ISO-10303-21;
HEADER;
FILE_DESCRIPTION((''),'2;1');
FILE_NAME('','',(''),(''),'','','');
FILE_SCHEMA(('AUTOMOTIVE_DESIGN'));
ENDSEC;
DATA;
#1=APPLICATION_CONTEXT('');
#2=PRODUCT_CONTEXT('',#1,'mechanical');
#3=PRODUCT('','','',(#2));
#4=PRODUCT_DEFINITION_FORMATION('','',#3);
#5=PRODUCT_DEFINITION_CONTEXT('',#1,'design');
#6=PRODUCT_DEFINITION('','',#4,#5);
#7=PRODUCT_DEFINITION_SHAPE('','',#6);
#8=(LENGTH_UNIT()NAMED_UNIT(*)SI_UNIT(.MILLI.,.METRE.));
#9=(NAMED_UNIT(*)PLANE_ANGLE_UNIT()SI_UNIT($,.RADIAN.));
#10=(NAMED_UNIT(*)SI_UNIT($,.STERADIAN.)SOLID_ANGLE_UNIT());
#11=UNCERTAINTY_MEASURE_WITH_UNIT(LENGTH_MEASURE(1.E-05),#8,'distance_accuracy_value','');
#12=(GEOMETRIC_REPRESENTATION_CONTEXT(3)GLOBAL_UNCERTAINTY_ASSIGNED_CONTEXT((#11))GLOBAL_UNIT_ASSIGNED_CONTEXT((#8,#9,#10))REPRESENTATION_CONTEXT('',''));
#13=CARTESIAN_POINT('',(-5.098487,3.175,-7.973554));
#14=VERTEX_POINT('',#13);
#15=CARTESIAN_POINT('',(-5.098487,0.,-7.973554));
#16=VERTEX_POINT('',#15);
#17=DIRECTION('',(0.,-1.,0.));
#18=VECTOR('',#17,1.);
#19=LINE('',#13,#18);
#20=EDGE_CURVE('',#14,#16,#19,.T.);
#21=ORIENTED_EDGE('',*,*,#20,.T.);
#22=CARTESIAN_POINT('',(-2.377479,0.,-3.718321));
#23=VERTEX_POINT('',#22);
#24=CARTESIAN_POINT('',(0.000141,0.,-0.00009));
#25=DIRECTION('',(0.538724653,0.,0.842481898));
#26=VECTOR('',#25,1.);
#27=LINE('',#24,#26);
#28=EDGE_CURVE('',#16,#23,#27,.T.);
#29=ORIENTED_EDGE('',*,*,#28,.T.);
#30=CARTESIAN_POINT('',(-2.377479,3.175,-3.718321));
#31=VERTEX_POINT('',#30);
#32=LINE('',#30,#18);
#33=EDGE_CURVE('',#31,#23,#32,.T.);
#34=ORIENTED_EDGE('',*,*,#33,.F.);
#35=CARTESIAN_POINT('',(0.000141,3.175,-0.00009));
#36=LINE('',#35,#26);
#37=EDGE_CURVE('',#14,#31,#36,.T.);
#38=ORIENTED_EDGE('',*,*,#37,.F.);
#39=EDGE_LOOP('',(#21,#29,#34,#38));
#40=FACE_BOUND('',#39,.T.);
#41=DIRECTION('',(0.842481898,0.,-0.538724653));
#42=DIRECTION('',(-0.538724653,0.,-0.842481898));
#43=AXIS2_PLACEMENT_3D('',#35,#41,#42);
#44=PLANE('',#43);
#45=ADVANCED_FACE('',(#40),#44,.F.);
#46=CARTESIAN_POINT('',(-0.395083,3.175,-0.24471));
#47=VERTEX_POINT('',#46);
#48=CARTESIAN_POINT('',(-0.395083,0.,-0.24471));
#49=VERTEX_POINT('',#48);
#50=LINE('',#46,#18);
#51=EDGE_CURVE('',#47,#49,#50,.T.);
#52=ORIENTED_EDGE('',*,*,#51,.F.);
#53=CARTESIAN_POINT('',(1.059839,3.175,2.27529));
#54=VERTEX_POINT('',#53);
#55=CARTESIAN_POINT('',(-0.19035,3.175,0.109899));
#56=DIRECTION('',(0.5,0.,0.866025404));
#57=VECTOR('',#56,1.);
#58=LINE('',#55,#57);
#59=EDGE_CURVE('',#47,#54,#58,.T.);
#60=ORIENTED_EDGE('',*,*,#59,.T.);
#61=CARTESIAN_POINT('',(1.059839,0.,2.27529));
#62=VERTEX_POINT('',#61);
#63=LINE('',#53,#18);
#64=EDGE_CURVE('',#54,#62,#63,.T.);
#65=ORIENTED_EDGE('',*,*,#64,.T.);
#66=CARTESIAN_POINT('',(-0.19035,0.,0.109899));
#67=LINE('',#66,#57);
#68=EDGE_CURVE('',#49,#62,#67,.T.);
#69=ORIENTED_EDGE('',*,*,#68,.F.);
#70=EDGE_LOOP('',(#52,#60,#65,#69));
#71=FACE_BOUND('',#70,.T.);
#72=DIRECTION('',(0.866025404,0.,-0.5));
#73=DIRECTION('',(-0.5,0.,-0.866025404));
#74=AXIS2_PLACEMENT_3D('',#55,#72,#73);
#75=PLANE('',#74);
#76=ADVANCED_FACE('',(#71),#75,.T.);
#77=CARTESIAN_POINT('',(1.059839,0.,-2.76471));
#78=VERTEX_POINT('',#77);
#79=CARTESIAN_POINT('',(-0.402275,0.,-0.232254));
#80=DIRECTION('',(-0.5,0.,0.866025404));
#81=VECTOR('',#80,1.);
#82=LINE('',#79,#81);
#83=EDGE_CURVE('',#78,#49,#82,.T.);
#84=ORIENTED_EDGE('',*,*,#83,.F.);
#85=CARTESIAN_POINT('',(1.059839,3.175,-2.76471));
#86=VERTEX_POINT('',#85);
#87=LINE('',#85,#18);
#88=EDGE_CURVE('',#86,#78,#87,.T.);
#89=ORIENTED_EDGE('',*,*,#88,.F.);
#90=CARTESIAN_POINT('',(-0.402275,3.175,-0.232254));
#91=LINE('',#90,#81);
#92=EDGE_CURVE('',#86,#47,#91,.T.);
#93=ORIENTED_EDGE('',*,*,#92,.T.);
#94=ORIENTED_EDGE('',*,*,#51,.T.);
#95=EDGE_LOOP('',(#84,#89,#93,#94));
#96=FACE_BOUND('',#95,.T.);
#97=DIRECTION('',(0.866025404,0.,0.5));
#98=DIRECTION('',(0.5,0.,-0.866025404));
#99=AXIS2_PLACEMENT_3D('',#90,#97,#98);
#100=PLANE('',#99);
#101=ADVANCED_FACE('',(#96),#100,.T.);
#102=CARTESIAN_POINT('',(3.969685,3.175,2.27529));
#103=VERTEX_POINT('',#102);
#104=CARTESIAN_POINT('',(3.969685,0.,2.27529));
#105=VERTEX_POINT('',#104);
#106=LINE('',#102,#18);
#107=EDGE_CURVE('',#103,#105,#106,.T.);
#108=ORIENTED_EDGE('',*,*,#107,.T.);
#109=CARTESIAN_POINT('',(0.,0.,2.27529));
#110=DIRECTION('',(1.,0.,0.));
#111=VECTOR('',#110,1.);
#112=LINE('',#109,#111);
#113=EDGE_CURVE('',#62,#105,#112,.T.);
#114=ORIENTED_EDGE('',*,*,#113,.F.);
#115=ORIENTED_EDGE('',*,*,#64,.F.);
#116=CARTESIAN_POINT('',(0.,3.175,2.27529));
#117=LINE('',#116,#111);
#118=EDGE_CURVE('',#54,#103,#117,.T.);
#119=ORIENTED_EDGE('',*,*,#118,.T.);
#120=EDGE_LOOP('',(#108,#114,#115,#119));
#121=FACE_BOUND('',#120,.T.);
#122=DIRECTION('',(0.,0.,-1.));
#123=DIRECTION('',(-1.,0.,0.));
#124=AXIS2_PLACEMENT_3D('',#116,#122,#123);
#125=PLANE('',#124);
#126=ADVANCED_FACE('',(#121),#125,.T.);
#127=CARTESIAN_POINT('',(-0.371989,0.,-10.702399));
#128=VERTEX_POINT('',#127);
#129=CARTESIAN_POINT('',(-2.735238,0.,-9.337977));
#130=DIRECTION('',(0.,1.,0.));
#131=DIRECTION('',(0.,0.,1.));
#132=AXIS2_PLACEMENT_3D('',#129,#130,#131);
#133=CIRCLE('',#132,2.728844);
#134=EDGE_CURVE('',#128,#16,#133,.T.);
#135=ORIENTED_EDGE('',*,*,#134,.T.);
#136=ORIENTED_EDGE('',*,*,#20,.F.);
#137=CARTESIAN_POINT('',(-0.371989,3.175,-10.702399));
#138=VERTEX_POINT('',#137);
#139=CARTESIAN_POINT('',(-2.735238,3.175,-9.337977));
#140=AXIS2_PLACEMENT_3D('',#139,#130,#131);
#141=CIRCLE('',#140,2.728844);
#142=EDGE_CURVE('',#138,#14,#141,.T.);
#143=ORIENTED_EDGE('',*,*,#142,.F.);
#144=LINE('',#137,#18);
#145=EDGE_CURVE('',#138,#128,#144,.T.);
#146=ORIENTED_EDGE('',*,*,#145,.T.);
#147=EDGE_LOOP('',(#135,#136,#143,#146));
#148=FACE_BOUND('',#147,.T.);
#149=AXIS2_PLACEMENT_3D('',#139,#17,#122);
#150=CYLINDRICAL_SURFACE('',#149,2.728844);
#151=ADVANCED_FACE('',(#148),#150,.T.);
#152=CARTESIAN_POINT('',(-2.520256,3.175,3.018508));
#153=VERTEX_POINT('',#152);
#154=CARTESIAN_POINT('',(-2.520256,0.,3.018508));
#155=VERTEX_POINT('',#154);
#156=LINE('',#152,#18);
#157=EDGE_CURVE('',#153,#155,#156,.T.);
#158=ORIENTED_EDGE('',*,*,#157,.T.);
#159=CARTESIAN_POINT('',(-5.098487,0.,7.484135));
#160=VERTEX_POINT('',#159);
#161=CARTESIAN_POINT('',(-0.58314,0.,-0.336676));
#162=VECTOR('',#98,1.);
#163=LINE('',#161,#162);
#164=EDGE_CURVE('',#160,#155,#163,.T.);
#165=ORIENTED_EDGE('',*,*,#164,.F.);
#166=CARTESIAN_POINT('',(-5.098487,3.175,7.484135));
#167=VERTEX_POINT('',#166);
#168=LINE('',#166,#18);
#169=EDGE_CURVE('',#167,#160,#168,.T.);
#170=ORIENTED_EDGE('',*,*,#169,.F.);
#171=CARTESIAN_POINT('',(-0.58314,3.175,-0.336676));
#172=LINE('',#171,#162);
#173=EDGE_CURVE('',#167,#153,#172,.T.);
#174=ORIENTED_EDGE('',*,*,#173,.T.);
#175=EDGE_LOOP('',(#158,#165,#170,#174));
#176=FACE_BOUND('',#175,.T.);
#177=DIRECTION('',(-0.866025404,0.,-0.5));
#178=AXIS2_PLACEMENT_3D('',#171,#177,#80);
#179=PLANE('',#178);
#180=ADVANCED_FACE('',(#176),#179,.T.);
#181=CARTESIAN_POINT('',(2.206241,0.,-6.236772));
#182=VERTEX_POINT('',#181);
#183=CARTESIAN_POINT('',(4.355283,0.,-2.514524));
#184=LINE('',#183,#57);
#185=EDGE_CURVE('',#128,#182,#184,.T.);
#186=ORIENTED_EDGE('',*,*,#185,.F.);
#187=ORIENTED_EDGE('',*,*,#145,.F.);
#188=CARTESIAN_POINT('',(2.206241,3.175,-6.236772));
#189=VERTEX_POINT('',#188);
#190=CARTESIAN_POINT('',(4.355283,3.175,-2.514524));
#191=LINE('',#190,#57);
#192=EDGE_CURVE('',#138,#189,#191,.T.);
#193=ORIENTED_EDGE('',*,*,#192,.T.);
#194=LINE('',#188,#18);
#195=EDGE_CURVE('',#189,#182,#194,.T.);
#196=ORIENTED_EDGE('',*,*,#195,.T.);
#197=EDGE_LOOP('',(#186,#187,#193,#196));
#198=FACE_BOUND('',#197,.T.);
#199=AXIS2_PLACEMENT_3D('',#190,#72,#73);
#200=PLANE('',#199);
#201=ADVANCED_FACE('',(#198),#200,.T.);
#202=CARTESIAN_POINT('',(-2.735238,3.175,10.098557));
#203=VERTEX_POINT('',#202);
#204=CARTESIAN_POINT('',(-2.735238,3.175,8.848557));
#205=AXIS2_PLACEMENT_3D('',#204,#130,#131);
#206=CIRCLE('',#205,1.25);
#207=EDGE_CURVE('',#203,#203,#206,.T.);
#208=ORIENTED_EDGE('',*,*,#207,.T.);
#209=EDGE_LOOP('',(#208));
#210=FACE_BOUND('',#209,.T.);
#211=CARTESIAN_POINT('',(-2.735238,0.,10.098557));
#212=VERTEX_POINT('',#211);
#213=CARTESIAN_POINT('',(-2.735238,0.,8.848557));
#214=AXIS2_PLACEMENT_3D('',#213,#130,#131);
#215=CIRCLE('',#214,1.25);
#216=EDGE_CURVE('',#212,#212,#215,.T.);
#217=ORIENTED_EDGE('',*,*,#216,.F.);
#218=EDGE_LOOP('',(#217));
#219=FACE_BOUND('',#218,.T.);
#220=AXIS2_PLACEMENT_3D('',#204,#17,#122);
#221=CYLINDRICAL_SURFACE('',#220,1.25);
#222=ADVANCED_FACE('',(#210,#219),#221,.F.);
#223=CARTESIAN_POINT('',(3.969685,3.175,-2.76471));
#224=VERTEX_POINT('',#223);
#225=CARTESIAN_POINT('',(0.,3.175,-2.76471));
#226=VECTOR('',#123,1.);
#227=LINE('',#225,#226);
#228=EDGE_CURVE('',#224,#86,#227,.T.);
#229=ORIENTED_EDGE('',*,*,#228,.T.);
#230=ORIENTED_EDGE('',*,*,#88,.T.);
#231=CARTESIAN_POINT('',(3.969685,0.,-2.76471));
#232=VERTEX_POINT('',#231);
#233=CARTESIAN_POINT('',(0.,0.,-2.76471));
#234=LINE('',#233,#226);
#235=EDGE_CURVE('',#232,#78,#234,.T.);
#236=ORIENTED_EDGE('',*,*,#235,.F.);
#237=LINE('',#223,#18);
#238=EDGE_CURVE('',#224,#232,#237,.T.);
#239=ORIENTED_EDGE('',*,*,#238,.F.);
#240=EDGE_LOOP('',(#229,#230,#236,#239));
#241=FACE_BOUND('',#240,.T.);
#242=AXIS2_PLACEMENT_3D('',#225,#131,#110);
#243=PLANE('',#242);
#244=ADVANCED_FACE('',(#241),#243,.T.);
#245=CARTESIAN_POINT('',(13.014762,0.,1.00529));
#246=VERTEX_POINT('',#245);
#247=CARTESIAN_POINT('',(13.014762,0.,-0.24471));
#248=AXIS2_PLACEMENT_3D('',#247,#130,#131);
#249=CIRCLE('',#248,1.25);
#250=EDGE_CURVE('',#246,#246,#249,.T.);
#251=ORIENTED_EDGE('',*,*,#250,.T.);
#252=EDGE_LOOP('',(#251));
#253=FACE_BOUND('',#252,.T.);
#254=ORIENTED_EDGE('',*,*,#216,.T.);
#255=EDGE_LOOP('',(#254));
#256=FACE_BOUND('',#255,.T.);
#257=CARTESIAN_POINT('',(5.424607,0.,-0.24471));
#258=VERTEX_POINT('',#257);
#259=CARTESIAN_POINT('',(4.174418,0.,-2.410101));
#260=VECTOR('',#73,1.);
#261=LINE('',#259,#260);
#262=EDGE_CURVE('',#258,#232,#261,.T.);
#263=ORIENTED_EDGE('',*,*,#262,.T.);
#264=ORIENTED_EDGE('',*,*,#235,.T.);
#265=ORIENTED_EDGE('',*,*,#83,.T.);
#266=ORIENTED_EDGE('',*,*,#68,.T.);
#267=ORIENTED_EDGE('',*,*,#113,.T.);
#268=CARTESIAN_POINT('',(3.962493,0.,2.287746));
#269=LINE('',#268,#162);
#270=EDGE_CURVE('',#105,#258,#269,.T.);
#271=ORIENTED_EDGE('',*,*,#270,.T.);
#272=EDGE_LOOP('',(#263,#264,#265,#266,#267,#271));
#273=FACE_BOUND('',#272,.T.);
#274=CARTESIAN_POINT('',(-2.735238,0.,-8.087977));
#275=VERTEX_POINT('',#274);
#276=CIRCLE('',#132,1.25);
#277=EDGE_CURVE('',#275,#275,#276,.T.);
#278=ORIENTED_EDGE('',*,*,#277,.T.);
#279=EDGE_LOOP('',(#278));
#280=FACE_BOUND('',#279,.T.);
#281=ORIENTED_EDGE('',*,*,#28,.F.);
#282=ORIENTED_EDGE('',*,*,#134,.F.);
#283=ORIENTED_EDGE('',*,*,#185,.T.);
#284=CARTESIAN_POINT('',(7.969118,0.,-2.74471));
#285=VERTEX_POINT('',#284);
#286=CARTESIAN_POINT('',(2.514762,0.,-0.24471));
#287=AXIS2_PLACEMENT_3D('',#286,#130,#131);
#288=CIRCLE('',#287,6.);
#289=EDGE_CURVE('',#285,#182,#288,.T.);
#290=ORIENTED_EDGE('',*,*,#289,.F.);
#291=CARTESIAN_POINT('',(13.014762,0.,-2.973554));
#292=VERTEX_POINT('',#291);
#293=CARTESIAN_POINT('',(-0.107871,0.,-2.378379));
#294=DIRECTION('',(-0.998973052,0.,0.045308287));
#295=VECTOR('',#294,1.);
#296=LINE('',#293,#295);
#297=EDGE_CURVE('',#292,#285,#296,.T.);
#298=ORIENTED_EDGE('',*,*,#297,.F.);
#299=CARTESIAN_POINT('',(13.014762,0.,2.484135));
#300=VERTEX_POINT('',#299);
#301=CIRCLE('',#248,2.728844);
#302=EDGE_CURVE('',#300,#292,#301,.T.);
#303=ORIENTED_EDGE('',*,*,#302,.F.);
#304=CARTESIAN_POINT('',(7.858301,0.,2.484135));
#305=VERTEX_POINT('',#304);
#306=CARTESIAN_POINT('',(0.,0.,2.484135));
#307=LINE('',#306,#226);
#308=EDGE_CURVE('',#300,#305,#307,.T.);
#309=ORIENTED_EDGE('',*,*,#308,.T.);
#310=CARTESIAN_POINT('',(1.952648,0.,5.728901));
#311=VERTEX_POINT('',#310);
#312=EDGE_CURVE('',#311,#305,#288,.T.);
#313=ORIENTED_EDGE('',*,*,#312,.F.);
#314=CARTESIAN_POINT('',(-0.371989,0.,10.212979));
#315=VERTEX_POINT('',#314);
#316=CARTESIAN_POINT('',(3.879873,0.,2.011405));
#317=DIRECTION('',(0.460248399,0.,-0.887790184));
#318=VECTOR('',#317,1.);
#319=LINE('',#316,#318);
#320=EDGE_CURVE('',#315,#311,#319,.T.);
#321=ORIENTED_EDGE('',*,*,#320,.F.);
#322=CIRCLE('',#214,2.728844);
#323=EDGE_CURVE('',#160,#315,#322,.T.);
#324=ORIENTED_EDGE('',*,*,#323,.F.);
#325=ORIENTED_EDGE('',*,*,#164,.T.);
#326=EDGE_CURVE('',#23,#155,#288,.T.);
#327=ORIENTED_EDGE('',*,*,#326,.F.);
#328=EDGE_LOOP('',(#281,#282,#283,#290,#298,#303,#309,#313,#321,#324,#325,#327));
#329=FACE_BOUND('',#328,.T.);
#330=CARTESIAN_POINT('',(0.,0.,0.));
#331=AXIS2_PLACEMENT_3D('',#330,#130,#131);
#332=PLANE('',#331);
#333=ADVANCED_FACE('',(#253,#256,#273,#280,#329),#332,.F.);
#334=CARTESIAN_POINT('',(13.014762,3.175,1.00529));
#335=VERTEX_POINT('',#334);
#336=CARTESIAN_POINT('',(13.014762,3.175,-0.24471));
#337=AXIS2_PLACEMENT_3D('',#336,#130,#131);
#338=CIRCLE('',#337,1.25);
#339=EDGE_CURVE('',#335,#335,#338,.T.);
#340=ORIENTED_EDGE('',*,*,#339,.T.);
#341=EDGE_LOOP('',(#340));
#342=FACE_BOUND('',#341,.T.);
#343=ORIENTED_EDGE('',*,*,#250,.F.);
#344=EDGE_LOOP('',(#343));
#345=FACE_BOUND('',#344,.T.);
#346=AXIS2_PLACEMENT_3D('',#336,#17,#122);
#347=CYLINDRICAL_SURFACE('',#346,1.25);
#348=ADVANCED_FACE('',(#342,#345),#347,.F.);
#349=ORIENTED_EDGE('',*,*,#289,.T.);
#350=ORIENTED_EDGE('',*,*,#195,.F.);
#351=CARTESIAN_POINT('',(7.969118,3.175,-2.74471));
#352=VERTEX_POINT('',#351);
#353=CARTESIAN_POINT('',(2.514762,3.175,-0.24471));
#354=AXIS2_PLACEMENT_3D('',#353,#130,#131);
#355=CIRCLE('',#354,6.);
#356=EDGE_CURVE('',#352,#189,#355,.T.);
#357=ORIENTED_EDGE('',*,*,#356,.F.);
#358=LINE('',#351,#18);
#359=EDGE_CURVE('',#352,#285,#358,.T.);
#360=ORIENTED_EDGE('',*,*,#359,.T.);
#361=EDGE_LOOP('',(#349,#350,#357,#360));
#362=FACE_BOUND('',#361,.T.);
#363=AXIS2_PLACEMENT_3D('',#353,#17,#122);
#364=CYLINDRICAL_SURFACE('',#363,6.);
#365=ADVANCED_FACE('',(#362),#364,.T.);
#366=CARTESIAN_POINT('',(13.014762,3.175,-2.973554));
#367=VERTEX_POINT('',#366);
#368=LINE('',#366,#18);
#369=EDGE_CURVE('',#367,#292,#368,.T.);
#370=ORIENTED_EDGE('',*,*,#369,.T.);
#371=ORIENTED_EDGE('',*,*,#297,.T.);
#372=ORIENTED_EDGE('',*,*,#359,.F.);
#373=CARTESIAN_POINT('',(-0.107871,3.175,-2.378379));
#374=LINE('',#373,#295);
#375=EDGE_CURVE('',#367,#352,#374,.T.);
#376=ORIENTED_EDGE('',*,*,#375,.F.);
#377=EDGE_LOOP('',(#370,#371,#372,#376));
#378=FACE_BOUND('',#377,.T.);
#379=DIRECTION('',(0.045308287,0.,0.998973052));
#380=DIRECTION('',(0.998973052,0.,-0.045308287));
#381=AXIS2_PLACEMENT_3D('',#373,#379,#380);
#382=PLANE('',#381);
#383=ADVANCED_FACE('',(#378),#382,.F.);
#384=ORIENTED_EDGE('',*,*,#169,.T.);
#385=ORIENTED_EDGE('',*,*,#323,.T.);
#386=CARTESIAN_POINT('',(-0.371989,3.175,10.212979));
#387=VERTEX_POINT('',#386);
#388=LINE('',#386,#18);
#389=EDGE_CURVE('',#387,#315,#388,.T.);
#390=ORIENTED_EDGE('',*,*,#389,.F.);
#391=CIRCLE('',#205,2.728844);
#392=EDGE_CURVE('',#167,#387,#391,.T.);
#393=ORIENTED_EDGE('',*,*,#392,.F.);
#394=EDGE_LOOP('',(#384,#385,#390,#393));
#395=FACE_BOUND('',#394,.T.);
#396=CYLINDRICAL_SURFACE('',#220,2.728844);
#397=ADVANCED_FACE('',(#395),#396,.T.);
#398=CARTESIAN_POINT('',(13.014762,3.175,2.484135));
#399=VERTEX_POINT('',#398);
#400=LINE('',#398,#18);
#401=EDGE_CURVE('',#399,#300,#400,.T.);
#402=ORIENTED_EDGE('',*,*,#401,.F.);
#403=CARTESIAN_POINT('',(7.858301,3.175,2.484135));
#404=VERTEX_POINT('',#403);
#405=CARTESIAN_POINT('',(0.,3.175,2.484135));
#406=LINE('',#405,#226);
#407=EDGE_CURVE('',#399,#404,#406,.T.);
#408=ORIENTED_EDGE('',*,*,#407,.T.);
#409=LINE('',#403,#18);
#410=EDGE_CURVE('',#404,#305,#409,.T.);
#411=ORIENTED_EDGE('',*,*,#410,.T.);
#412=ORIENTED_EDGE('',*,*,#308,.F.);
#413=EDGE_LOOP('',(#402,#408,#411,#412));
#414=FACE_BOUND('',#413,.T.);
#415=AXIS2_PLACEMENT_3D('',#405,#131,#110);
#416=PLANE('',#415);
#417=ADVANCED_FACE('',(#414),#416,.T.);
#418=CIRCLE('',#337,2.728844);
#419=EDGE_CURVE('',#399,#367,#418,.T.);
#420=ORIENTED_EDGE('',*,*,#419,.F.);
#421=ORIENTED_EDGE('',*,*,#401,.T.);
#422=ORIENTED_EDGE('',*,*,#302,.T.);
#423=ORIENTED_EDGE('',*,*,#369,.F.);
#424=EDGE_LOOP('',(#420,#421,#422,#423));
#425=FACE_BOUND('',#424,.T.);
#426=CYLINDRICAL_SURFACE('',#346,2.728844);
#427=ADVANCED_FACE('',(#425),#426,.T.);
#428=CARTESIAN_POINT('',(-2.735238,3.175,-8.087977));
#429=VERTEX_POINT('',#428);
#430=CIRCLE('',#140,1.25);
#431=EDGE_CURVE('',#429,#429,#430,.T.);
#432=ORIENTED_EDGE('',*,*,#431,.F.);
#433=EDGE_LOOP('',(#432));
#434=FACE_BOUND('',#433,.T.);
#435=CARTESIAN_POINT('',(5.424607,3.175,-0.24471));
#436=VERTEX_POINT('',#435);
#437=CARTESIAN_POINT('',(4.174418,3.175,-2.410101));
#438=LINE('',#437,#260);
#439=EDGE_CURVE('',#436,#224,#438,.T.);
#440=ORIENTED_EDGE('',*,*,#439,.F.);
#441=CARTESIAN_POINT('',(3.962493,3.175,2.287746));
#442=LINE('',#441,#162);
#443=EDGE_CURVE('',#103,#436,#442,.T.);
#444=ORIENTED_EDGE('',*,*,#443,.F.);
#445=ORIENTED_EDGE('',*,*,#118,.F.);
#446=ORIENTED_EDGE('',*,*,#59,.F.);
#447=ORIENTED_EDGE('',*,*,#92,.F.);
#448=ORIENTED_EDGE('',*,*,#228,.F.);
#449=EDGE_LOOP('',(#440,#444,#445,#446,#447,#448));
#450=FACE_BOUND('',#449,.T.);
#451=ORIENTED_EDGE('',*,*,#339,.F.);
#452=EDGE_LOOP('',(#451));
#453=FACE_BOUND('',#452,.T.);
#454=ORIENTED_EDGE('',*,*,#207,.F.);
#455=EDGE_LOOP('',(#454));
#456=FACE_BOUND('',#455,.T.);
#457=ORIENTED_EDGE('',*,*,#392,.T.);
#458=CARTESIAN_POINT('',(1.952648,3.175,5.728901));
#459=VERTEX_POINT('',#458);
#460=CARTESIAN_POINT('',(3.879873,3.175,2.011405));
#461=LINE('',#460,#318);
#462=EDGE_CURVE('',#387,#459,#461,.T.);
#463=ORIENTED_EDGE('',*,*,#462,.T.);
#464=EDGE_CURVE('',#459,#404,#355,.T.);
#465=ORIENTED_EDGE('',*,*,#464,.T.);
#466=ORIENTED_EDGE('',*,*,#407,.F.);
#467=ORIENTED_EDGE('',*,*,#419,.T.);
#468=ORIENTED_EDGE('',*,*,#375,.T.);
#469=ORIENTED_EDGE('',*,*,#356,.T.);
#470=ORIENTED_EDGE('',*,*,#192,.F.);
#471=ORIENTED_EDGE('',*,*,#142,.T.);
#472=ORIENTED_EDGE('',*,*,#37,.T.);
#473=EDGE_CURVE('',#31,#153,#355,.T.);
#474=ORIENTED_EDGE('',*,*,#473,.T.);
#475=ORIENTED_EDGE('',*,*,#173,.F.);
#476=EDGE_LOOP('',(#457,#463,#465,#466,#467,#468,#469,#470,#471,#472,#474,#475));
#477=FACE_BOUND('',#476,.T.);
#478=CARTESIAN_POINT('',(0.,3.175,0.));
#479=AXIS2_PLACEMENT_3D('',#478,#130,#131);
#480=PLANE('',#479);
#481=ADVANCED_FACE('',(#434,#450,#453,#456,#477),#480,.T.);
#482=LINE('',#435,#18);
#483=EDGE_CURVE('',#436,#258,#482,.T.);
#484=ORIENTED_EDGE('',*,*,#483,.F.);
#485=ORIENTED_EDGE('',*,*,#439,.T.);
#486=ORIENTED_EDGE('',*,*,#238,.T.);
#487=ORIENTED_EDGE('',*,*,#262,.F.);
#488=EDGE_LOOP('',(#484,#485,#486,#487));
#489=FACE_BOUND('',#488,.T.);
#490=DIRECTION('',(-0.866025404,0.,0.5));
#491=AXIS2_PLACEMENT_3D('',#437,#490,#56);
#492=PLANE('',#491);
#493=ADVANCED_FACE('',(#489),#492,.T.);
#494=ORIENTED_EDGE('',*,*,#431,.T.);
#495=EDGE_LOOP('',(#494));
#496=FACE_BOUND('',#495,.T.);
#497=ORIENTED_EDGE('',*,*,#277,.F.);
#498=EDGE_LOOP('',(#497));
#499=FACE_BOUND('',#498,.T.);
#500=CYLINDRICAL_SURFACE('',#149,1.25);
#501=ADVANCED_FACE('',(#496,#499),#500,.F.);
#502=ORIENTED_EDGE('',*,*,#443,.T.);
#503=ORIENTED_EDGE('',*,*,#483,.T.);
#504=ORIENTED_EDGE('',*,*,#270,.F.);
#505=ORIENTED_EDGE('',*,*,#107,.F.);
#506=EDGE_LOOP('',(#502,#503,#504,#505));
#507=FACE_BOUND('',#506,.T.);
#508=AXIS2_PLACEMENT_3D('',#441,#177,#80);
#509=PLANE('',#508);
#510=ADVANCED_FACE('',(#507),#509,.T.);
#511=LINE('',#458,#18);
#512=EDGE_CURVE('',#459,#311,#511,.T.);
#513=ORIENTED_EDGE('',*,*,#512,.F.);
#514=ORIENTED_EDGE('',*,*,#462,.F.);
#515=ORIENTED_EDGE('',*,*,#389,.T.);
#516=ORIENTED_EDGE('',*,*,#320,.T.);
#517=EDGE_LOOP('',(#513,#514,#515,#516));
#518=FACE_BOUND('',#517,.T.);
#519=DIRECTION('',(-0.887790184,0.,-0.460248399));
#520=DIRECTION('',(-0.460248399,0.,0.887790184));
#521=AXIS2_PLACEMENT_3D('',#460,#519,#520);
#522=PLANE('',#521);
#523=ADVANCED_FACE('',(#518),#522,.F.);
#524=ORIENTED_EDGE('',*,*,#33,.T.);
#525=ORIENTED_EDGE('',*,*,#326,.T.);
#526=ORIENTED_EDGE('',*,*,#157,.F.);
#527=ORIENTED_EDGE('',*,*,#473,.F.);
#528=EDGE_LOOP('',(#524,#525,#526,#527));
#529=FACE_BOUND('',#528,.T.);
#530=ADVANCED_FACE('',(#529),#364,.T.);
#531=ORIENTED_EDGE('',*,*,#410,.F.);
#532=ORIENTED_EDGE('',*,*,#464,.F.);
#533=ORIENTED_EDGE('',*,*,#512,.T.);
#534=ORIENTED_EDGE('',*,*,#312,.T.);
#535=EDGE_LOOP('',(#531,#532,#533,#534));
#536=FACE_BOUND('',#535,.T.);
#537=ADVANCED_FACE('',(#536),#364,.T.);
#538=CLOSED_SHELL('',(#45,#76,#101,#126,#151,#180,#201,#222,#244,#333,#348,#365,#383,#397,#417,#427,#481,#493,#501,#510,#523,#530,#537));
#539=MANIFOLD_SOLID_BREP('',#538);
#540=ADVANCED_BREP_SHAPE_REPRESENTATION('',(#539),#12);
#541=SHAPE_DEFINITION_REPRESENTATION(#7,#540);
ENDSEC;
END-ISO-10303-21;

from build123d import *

# Parameters (mm, degrees)
SKETCH1_R           = 1.25
BOSS_EXTRUDE1_DEPTH = 3.175


with BuildPart() as part:
    # Sketch1 → Boss-Extrude1 (new body)
    with BuildSketch(Plane(origin=(0, 0, 0), x_dir=(1, 0, 0), z_dir=(0, 1, 0))):
        with BuildLine():
            Line((7.858300919, -2.484134681), (13.014762042, -2.484134681))
            ThreePointArc((13.014762042, -2.484134681), (15.743606535, 0.244709812), (13.014762042, 2.973554305))
            Line((13.014762042, 2.973554305), (7.969118099, 2.744709812))
            ThreePointArc((7.969118099, 2.744709812), (5.624188125, 5.376129638), (2.206241257, 6.236772472))
            Line((2.206241257, 6.236772472), (-0.371989304, 10.702398798))
            ThreePointArc((-0.371989304, 10.702398798), (-4.099660205, 11.701225206), (-5.098486612, 7.973554305))
            Line((-5.098486612, 7.973554305), (-2.377479496, 3.718320719))
            ThreePointArc((-2.377479496, 3.718320719), (-3.483890927, 0.371841879), (-2.520256051, -3.018508355))
            Line((-2.520256051, -3.018508355), (-5.098486612, -7.484134681))
            ThreePointArc((-5.098486612, -7.484134681), (-4.099660205, -11.211805582), (-0.371989304, -10.212979174))
            Line((-0.371989304, -10.212979174), (1.952647522, -5.728901095))
            ThreePointArc((1.952647522, -5.728901095), (5.403988927, -5.013842081), (7.858300919, -2.484134681))
        make_face()
        Polygon((3.96968472, 2.764709812), (5.424607398, 0.244709812), (3.96968472, -2.275290188), (1.059839363, -2.275290188), (-0.395083315, 0.244709812), (1.059839363, 2.764709812), align=None, mode=Mode.SUBTRACT)
        with Locations(Location((13.014762042, 0.244709812, 0), (0, 0, 270))):
            Circle(SKETCH1_R, mode=Mode.SUBTRACT)
        with Locations(Location((-2.735237958, 9.337976552, 0), (0, 0, 270))):
            Circle(SKETCH1_R, mode=Mode.SUBTRACT)
        with Locations(Location((-2.735237958, -8.848556928, 0), (0, 0, 270))):
            Circle(SKETCH1_R, mode=Mode.SUBTRACT)
    extrude(amount=BOSS_EXTRUDE1_DEPTH)


solid = part.part
